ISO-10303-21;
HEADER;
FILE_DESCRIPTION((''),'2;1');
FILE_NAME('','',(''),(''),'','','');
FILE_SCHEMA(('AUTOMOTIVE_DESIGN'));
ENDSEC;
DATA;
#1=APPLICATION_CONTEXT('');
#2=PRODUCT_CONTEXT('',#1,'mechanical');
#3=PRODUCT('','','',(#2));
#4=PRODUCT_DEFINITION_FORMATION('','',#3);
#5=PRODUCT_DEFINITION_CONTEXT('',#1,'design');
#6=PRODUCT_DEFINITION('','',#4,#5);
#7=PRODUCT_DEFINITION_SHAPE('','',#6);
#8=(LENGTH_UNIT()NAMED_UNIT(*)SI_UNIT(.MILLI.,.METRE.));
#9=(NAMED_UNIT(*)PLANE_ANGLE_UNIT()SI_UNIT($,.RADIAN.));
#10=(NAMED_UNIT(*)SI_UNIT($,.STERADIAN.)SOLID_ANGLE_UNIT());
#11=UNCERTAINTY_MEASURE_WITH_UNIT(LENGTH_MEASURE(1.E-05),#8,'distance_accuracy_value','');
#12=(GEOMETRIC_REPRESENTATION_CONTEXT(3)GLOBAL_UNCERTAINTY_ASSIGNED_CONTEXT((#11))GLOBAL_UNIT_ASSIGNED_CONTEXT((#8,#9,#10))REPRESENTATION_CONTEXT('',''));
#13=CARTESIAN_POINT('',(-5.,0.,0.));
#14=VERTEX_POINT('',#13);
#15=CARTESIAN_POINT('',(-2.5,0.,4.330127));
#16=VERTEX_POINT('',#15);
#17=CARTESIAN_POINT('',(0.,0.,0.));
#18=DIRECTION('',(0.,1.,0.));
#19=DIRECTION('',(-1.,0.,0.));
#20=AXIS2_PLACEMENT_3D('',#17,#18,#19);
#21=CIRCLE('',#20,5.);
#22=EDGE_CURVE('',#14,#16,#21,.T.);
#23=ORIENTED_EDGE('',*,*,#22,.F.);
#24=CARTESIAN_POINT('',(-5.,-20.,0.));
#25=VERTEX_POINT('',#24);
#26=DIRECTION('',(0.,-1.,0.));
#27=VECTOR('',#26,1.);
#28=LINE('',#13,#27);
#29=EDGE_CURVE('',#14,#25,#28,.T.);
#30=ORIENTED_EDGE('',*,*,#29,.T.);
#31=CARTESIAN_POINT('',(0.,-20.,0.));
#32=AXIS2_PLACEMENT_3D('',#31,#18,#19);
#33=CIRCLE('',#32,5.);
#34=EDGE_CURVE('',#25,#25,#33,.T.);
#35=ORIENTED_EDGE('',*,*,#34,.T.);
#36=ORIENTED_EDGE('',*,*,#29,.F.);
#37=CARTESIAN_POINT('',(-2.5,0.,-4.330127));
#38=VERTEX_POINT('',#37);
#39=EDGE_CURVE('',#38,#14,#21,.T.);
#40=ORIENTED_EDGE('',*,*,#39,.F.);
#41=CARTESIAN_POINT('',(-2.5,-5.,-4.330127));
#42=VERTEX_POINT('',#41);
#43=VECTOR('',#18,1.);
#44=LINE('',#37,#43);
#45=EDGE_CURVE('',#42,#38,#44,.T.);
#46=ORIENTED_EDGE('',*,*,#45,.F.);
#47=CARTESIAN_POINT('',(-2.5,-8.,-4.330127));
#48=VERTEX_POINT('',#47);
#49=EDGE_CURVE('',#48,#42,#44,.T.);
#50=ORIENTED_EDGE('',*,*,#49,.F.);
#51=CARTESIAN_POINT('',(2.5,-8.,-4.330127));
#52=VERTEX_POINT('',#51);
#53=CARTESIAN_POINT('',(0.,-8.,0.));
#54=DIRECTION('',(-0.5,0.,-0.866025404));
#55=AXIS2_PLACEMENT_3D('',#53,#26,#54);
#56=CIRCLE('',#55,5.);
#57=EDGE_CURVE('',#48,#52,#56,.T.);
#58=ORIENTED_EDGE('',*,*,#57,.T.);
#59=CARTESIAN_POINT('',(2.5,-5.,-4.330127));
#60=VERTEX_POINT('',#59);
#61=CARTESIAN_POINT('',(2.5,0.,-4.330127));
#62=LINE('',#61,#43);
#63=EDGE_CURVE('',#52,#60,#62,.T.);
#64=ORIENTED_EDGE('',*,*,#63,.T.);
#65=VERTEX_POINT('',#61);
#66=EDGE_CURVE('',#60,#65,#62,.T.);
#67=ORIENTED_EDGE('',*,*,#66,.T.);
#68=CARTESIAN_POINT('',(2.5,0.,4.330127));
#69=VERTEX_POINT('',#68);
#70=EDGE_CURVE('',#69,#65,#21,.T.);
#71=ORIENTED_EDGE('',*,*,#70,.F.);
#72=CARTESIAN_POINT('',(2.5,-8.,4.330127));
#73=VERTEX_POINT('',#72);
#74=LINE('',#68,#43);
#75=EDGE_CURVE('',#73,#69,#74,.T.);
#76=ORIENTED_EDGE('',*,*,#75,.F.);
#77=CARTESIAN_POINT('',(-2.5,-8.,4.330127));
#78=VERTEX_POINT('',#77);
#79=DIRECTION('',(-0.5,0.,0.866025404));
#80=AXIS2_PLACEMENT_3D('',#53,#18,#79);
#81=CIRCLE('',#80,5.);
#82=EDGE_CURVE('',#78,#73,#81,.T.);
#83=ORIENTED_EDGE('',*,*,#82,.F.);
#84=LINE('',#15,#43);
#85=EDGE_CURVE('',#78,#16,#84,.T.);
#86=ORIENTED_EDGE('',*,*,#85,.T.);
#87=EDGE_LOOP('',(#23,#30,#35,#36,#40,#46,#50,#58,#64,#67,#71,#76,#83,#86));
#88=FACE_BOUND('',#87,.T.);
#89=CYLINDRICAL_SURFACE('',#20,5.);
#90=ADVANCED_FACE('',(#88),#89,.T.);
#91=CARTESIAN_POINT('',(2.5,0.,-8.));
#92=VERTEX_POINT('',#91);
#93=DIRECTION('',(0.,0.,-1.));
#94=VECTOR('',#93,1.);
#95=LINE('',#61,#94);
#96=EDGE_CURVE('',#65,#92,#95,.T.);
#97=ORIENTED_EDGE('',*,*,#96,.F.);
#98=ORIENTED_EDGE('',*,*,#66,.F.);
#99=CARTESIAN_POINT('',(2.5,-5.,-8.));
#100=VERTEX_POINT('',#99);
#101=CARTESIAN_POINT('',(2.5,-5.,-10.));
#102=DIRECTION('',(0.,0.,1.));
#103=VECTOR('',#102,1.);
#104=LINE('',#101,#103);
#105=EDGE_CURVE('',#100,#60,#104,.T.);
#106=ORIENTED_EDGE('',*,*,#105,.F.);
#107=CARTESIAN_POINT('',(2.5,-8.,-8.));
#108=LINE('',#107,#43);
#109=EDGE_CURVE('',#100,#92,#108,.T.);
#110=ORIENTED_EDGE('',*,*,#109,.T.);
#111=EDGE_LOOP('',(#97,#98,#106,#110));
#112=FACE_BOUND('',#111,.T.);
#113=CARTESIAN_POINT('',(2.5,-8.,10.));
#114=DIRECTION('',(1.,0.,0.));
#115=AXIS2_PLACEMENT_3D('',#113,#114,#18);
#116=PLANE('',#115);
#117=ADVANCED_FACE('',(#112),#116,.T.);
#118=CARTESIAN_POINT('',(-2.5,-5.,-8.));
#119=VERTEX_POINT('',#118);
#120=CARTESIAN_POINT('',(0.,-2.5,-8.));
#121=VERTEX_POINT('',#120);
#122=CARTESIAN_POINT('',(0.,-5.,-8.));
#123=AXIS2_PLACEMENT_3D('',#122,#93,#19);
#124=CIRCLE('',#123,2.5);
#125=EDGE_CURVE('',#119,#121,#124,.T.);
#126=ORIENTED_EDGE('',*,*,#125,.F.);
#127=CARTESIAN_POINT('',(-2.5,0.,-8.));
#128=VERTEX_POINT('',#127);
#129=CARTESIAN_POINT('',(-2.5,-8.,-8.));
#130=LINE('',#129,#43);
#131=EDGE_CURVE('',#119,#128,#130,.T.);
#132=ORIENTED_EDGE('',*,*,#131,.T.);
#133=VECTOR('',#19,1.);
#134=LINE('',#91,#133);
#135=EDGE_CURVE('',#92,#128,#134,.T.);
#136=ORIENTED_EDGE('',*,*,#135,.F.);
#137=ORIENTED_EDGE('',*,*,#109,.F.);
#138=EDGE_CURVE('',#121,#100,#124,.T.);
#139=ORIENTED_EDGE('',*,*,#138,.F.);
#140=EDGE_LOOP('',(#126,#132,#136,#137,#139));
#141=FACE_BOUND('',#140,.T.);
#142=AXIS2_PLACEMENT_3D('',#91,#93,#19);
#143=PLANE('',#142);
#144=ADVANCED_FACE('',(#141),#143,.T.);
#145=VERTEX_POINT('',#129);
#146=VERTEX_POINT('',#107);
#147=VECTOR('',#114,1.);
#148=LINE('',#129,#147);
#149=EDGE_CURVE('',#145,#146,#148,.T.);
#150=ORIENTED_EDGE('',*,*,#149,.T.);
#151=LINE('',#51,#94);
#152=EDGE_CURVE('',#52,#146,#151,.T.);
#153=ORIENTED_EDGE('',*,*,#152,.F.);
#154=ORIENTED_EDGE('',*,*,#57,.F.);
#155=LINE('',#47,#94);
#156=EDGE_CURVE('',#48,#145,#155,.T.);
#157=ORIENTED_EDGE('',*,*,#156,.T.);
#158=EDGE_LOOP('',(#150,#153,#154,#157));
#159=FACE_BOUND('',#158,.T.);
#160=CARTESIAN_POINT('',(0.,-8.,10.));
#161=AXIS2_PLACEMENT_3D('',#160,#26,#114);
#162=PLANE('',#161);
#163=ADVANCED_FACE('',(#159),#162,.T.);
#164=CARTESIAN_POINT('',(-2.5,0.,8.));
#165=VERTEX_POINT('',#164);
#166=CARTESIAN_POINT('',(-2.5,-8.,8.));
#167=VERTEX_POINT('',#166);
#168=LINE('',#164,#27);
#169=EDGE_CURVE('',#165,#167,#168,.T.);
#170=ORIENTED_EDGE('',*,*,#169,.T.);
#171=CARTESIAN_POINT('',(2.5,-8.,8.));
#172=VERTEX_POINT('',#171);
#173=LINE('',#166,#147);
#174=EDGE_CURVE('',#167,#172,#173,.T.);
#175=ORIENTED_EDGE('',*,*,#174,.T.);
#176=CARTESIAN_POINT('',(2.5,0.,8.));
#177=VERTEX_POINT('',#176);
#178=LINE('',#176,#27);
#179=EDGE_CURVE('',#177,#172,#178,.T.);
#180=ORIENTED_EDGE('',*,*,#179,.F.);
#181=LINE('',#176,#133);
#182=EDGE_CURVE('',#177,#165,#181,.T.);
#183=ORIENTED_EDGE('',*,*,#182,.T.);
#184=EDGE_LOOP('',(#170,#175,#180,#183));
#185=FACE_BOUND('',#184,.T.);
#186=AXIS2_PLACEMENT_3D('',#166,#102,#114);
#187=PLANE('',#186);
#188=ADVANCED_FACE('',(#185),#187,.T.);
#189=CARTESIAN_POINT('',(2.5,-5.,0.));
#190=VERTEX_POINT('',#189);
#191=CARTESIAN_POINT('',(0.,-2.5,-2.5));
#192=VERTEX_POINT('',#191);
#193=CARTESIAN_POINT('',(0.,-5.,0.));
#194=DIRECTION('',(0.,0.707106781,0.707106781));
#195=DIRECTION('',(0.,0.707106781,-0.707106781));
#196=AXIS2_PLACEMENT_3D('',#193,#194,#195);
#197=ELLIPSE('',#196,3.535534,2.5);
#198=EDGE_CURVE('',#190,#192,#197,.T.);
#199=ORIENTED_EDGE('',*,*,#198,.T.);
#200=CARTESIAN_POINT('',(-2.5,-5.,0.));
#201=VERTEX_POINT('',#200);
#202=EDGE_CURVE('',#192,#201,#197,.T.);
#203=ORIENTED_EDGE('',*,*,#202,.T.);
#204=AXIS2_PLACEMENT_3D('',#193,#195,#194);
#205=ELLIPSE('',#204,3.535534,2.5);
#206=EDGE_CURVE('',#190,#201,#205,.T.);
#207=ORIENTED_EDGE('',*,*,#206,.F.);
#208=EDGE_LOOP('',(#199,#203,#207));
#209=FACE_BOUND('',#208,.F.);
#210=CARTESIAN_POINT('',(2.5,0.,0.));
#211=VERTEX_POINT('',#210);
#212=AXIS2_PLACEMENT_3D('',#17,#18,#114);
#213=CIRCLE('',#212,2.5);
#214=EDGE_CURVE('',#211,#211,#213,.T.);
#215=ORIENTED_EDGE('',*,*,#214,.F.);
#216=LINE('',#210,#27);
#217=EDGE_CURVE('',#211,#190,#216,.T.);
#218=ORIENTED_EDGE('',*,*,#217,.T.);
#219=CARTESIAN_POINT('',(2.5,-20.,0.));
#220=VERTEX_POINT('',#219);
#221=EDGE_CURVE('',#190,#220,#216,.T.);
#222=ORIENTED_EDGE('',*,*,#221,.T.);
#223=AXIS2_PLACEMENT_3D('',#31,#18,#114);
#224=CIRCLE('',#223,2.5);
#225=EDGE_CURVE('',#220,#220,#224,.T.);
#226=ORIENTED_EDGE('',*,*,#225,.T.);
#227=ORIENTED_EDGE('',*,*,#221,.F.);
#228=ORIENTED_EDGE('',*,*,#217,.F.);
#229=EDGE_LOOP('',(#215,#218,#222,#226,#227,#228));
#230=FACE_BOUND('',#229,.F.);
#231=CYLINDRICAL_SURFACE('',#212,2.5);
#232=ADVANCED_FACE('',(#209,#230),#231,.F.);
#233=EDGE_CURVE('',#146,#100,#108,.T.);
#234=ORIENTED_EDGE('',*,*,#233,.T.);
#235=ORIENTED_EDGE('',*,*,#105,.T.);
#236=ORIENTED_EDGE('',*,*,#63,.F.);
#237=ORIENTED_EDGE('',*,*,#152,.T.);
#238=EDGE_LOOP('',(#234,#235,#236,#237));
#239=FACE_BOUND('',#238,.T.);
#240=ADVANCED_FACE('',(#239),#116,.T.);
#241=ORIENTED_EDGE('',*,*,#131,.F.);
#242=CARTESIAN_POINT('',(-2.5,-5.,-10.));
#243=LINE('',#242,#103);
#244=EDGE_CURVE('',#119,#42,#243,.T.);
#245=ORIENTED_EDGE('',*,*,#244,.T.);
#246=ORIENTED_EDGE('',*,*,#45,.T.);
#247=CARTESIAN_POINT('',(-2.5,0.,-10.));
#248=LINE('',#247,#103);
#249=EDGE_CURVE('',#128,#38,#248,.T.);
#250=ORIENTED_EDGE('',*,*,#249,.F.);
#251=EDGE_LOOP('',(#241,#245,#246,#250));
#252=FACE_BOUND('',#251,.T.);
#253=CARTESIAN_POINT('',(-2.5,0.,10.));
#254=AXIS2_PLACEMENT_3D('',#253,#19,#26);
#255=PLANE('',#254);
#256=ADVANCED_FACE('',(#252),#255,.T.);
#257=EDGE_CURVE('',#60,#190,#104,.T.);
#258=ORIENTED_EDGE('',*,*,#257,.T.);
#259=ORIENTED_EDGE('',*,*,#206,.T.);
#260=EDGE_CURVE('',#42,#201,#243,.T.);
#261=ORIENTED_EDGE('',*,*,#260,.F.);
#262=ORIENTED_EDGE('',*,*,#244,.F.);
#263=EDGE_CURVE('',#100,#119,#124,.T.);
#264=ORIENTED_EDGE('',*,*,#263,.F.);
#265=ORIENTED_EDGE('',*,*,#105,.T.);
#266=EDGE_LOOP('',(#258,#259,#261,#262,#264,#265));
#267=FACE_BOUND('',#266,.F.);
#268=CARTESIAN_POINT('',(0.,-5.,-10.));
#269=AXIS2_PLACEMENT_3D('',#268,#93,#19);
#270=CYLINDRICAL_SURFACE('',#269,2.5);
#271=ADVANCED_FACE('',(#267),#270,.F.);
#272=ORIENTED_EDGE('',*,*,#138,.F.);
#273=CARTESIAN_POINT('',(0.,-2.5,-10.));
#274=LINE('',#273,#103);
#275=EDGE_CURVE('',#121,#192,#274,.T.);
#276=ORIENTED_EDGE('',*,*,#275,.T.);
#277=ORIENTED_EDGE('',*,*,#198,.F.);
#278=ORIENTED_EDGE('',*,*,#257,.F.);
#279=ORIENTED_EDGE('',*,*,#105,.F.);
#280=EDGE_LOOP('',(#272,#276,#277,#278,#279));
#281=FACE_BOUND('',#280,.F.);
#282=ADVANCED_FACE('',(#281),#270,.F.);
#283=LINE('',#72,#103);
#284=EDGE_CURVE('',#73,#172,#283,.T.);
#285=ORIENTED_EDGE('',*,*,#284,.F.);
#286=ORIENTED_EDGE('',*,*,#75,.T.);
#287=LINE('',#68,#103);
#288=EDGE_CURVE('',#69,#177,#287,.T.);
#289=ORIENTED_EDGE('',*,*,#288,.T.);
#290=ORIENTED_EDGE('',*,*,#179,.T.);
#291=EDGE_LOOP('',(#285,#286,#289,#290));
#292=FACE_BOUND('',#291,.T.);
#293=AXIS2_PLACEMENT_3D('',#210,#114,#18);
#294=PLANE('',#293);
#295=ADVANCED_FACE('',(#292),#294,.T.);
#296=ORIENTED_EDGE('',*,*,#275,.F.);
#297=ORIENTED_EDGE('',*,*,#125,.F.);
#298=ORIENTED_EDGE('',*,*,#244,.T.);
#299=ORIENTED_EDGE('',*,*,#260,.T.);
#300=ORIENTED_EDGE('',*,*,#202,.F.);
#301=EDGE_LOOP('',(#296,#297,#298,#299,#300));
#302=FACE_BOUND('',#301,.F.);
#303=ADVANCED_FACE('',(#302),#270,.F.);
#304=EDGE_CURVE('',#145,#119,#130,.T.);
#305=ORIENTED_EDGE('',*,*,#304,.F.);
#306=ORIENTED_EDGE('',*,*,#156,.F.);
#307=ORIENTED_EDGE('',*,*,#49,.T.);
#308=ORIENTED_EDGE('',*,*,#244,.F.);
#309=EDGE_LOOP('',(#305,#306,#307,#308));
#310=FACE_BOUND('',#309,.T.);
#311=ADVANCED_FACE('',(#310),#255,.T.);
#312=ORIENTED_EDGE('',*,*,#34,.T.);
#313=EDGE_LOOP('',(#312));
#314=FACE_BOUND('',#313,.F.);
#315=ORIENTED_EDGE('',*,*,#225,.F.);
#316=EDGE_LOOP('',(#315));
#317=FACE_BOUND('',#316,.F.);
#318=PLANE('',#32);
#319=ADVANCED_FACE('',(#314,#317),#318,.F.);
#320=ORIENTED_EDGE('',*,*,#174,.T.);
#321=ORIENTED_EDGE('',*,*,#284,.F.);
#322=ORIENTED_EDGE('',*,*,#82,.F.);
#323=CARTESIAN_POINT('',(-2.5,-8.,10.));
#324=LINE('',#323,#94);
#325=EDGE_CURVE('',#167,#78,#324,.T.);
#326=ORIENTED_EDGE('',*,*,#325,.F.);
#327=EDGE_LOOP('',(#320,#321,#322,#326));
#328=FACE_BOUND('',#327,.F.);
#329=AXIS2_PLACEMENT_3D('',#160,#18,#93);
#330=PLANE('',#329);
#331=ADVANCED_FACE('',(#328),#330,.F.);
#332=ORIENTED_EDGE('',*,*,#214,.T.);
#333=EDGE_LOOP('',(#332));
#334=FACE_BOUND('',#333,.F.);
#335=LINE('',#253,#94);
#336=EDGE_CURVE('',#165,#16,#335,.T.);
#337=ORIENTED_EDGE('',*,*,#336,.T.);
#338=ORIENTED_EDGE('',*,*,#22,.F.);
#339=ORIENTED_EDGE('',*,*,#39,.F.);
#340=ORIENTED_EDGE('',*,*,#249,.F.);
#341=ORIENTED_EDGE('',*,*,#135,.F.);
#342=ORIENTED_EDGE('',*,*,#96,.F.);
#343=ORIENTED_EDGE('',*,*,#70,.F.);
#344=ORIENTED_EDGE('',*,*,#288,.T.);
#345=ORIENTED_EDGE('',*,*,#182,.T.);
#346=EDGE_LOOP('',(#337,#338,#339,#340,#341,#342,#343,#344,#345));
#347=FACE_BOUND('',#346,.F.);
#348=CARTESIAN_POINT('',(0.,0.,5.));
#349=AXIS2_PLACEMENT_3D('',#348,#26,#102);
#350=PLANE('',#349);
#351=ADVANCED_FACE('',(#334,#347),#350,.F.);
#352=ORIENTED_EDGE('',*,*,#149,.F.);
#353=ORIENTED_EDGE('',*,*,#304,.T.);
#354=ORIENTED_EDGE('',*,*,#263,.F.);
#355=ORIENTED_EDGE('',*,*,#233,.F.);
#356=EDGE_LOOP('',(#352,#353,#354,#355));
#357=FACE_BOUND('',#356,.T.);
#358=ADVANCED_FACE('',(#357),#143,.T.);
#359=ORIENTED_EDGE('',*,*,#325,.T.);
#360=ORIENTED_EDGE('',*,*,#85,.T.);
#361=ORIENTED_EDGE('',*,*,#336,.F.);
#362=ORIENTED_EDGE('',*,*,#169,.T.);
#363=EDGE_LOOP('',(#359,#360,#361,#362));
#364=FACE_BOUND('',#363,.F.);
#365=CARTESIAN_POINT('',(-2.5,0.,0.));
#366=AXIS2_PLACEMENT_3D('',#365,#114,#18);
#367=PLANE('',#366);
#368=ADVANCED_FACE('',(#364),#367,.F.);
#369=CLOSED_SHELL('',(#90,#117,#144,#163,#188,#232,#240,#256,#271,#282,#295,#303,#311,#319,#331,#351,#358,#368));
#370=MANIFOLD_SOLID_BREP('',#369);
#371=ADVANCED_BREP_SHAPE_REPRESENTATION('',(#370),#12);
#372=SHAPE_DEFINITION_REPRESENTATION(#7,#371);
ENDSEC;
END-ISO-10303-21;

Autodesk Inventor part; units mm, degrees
ref_plane "YZ Plane" through (0, 0, 0) normal (1, 0, 0) x (0, 1, 0)
ref_plane "XZ Plane" through (0, 0, 0) normal (0, 1, 0) x (-1, 0, 0)
ref_plane "XY Plane" through (0, 0, 0) normal (0, 0, 1) x (1, 0, 0)
sketch "Sketch1" plane through (0, 0, 0) normal (0, 1, 0) x (-1, 0, 0)
  circle A0 centre (0, 0) radius 5
  dimension "d0" = 10
extrude "Extrusion1" add sketch "Sketch1" against normal blind 20
sketch "Sketch2" plane through (0, 0, 0) normal (1, 0, 0) x (0, 1, 0)
  line L0 (0, 0) -> (-8, 0)
  line L1 (-8, 0) -> (-8, 5)
  line L2 (-8, 5) -> (0, 5)
  line L3 (0, 5) -> (0, 0)
  line L4 (-8, 5) -> (0, 5)
  line L5 (0, 5) -> (0, 10)
  line L6 (0, 10) -> (-8, 10)
  line L7 (-8, 10) -> (-8, 5)
  line L8 (0, -5) -> (0, 5) projected
  line L9 (0, -5) -> (-8, -5)
  line L10 (-8, -5) -> (-8, -10)
  line L11 (-8, -10) -> (0, -10)
  line L12 (0, -10) -> (0, -5)
  dimension "d3" = 8
  dimension "d4" = 5
  dimension "d5" = 8
  dimension "d6" = 5
  dimension "d7" = 5
extrude "Extrusion2" add sketch "Sketch2" along normal mid plane 5 contours L12 L11 L10 L9 | L2 L7 L6 L5
sketch "Sketch3" plane through (-2.5, -8, 10) normal (0, 0, 1) x (1, 0, 0)
  line L0 (2.5, 0) -> (0, 0) projected
  line L1 (2.5, 8) -> (5, 8) projected
  line L2 (0, 0) -> (5, 0)
  line L3 (5, 0) -> (5, 8)
  line L4 (5, 8) -> (0, 8)
  line L5 (0, 8) -> (0, 0)
extrude "Extrusion3" add sketch "Sketch3" against normal blind 20
sketch "Sketch4" plane through (0, 0, 0) normal (0, 1, 0) x (1, 0, 0)
  circle A0 centre (0, 0) radius 2.5
  dimension "d12" = 5
extrude "Extrusion4" cut sketch "Sketch4" against normal through all
sketch "Sketch5" plane through (2.5, 0, -10) normal (0, 0, -1) x (-1, 0, 0)
  line L0 (2.5, 0) -> (2.5, -5)
  circle A0 centre (2.5, -5) radius 2.5
  line L1 (0, 0) -> (0, -20) projected
  dimension "d15" = 5
extrude "Extrusion5" cut sketch "Sketch5" against normal blind 10
thread "Thread1" size "M5x0.8" class "6H" standard "ANSI Metric M Profile" length 70
sketch "Sketch6" plane through (-2.5, -8, 10) normal (0, 0, 1) x (1, 0, 0)
  line L0 (0, 0) -> (5, 0) projected
  line L1 (5, 8) -> (5, 0) projected
  line L2 (0, 0) -> (5, 0)
  line L3 (5, 0) -> (5, 8)
  line L4 (5, 8) -> (0, 8)
  line L5 (0, 8) -> (0, 0)
  point P0 (2.5, 8)
extrude "Extrusion6" cut sketch "Sketch6" against normal blind 2
sketch "Sketch7" plane through (2.5, 0, -10) normal (0, 0, -1) x (-1, 0, 0)
  line L0 (5, -8) -> (5, 0) projected
  line L1 (0, 0) -> (5, 0)
  line L2 (5, 0) -> (5, -8)
  line L3 (5, -8) -> (0, -8)
  line L4 (0, -8) -> (0, 0)
  point P0 (2.5, 0)
extrude "Extrusion7" cut sketch "Sketch7" against normal blind 2
properties part number "azimuth_gear_in" material "Aluminum 6061"
